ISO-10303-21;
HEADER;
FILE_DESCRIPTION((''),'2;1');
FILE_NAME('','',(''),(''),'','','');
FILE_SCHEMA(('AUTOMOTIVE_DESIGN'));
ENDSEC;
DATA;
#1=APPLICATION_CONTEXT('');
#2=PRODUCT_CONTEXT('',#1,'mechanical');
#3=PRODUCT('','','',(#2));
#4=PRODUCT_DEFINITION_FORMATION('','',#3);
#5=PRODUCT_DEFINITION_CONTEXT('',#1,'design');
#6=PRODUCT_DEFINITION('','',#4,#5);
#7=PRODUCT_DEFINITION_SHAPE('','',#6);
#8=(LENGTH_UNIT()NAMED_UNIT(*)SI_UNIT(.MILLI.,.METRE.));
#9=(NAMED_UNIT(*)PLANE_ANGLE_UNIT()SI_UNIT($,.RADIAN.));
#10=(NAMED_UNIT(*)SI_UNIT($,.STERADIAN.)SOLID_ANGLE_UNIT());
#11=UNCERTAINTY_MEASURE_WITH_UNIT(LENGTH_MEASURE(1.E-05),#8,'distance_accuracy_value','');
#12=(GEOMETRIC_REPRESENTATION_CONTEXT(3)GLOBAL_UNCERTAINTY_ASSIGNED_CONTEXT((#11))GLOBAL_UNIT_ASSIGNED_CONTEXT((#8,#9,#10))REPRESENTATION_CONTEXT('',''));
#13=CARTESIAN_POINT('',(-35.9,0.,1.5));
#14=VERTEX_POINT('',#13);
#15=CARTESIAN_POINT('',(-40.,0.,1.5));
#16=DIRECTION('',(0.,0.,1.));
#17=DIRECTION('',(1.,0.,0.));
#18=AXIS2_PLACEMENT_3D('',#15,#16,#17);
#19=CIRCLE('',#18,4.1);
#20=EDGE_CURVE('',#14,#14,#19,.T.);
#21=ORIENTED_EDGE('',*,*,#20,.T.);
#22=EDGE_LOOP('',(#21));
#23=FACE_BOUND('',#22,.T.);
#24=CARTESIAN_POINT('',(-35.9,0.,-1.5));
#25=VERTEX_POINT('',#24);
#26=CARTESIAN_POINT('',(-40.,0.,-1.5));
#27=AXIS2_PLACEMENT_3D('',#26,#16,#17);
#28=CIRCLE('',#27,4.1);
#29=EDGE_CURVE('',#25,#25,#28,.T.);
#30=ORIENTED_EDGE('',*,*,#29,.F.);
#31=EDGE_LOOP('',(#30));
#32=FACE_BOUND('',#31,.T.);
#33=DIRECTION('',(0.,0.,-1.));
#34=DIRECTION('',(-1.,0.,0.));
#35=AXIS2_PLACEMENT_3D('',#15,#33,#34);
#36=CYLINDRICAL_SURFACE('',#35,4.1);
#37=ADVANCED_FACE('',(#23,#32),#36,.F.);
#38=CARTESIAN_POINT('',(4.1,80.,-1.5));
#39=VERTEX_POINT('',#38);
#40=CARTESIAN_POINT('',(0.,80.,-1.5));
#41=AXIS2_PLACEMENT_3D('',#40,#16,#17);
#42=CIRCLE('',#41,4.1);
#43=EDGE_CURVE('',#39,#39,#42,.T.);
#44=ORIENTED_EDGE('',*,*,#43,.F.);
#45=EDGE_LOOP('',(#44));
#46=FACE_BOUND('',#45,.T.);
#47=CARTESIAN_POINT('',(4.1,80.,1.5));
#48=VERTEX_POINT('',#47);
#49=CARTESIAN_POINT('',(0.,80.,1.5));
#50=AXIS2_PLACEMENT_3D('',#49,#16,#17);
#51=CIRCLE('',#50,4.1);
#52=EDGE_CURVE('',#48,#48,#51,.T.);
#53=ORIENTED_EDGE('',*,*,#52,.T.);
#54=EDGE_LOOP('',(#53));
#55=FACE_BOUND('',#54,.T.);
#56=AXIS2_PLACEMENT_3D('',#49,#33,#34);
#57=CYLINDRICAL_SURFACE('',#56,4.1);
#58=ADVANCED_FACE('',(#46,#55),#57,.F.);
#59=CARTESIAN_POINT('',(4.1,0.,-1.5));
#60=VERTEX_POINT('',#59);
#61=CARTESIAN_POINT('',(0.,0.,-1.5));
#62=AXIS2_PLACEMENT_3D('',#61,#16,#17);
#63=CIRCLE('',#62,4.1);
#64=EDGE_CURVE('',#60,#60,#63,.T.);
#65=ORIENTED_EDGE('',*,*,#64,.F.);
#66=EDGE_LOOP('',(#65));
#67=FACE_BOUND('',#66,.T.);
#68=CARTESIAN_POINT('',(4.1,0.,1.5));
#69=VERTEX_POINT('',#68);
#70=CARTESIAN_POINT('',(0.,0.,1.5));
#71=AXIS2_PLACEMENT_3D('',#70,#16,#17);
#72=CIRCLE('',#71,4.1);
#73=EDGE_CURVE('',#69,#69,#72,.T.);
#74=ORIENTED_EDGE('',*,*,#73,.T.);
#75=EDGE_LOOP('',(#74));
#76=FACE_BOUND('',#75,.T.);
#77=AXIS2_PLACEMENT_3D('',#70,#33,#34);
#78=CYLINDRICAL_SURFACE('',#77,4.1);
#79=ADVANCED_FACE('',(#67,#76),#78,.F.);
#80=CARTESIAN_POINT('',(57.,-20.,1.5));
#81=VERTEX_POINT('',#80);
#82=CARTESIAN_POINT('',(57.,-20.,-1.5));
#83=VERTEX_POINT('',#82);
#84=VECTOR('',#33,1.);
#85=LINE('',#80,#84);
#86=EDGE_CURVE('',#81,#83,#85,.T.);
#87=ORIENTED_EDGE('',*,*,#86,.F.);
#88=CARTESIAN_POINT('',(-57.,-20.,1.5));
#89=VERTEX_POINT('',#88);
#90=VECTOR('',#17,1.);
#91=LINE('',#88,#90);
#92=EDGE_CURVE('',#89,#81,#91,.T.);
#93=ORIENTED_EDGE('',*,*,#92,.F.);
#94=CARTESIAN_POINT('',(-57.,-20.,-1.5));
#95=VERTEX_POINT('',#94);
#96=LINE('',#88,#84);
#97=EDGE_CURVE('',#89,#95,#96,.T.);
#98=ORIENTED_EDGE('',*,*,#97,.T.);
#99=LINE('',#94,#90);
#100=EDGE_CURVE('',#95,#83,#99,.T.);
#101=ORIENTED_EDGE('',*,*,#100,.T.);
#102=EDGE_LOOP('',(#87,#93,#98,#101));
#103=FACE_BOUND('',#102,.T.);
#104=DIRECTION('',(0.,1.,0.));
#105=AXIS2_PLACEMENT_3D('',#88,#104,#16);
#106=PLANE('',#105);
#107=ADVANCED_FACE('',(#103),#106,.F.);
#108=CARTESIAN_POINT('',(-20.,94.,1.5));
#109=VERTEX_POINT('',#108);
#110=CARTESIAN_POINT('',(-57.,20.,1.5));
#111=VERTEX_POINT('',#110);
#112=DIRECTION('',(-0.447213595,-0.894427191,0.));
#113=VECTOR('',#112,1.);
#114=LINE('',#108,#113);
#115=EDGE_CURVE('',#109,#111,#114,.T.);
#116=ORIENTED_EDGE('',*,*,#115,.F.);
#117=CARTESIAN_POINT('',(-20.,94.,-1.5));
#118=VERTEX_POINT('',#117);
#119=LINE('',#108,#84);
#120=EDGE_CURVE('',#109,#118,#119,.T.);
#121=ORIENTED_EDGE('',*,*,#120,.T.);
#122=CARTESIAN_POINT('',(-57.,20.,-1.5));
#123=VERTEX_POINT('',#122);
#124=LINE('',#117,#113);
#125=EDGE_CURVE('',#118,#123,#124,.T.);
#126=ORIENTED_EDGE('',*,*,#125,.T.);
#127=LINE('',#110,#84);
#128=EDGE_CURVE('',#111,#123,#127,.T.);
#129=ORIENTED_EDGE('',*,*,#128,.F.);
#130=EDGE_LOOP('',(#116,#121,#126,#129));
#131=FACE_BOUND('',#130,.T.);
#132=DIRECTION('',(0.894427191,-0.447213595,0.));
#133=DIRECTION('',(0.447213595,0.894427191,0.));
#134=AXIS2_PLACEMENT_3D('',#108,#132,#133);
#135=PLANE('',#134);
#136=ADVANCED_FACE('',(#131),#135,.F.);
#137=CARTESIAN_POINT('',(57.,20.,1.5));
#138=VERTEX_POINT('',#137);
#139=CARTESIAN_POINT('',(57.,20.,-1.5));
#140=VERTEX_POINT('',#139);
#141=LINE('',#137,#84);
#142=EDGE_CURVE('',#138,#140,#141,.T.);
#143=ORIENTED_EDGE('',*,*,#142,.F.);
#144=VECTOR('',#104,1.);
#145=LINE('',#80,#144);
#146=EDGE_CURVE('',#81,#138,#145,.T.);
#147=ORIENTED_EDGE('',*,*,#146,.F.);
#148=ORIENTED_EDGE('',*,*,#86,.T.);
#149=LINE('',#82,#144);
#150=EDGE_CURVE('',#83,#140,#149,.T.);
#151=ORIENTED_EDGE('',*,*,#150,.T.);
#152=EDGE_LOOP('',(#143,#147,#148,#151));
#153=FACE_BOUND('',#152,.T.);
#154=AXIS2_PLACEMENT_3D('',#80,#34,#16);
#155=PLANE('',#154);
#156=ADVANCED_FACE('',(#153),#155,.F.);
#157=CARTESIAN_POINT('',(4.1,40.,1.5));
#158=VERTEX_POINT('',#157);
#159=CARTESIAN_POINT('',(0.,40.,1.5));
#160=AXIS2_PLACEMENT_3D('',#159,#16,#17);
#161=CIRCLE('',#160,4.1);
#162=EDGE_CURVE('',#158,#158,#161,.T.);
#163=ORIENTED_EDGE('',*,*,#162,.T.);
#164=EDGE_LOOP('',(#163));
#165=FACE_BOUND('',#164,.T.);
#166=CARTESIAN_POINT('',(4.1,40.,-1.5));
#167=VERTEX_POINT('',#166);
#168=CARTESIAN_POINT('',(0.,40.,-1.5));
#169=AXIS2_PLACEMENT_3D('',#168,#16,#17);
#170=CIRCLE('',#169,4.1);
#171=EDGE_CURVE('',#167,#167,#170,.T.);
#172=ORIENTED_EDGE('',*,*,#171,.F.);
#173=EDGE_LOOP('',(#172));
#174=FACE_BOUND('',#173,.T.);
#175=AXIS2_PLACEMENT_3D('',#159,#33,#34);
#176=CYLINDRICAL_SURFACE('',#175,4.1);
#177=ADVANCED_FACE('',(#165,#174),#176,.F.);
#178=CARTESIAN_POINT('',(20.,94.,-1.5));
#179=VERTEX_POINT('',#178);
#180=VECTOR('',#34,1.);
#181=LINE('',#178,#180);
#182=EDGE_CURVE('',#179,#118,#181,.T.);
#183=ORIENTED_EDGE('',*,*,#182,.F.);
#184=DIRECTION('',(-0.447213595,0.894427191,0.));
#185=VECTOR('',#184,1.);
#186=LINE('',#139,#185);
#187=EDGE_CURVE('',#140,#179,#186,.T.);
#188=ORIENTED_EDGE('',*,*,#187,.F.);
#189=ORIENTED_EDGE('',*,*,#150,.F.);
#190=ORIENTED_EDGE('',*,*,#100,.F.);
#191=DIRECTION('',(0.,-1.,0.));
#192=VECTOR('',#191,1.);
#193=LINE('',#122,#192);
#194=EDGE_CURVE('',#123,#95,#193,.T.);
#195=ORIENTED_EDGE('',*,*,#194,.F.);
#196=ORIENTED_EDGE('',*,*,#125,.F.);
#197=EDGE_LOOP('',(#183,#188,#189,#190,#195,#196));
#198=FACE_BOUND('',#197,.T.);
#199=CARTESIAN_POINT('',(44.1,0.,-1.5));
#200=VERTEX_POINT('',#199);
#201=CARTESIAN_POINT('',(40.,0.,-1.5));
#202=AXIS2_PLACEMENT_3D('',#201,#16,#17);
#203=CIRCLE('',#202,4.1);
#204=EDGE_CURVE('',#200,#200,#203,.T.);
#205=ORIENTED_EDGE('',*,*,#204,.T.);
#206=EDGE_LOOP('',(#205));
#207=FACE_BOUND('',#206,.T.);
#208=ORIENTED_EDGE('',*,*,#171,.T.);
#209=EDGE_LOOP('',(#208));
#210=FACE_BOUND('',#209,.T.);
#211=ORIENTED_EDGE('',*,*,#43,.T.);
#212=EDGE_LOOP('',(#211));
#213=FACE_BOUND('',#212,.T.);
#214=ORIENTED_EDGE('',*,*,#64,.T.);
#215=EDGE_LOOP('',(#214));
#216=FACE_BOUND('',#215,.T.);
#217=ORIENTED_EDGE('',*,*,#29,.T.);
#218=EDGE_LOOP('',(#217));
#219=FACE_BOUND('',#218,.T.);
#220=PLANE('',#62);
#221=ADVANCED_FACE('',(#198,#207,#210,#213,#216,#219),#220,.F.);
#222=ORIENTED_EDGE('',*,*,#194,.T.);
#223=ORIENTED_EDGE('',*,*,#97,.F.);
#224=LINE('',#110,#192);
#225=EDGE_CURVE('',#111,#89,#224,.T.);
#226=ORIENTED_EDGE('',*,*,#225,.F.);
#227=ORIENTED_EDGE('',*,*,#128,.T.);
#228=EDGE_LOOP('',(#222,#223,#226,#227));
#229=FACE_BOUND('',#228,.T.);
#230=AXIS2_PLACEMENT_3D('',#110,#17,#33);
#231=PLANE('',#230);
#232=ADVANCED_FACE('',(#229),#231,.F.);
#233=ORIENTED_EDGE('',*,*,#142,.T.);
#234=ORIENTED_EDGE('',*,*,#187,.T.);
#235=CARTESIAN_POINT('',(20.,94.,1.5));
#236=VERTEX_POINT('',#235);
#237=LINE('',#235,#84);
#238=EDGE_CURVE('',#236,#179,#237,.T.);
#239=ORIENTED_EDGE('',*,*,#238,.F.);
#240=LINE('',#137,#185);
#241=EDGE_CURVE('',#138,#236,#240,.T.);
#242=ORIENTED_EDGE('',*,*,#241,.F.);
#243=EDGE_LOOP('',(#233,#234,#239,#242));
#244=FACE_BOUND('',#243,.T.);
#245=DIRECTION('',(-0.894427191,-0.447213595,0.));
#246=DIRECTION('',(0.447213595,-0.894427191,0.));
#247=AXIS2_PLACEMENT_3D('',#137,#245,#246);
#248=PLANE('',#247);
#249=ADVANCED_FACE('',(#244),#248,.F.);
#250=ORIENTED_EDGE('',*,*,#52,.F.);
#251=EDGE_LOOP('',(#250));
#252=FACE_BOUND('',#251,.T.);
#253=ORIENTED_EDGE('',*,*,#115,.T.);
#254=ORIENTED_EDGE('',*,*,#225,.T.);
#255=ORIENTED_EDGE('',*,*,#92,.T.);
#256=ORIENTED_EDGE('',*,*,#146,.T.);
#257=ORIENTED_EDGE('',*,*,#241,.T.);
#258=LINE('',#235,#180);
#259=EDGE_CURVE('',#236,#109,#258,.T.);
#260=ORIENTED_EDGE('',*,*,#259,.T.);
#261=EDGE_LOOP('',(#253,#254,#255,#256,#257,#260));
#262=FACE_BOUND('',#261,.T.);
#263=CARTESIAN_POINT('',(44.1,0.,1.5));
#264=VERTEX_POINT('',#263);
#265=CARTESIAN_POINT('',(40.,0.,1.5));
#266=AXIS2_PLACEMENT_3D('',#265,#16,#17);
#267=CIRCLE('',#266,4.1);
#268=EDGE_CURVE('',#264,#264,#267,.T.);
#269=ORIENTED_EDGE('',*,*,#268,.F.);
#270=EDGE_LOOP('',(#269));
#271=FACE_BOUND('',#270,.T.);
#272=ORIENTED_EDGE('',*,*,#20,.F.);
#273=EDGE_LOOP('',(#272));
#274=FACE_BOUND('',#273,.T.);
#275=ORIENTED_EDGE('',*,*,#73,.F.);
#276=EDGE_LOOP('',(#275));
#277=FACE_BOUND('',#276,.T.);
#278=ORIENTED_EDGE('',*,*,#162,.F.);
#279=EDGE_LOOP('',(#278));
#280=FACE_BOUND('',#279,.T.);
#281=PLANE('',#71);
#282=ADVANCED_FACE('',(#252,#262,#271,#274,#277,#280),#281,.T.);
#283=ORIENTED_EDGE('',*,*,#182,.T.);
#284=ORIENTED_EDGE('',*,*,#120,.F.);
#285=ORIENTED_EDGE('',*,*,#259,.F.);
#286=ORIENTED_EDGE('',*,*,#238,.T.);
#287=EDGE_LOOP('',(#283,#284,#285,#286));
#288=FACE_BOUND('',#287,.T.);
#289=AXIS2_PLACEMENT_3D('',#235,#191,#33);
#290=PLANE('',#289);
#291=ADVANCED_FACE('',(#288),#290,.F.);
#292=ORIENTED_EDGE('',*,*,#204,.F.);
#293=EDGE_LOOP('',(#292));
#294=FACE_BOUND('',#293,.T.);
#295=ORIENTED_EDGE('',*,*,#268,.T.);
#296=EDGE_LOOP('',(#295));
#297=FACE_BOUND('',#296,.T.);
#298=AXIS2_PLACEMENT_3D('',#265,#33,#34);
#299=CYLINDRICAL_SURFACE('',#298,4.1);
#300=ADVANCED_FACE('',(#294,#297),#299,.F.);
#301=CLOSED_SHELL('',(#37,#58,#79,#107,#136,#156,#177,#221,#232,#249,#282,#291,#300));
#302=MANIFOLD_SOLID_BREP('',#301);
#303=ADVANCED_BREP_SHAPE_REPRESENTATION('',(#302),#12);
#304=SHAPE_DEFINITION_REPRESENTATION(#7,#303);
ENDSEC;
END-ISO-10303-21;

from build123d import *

# Parameters (mm, degrees)
SKETCH_1_R        = 4.1
EXTRUDE_405_DEPTH = 1.5


with BuildPart() as part:
    # Эскиз1 → Extrude 405 (new, symmetric)
    with BuildSketch(Plane.XY):
        Polygon((-57, -20), (57, -20), (57, 20), (20, 94), (-20, 94), (-57, 20), align=None)
        Circle(SKETCH_1_R, mode=Mode.SUBTRACT)
        with Locations((-40, 0)):
            Circle(SKETCH_1_R, mode=Mode.SUBTRACT)
        with Locations((40, 0)):
            Circle(SKETCH_1_R, mode=Mode.SUBTRACT)
        with Locations((0, 40)):
            Circle(SKETCH_1_R, mode=Mode.SUBTRACT)
        with Locations((0, 80)):
            Circle(SKETCH_1_R, mode=Mode.SUBTRACT)
    extrude(amount=EXTRUDE_405_DEPTH, both=True)


solid = part.part
